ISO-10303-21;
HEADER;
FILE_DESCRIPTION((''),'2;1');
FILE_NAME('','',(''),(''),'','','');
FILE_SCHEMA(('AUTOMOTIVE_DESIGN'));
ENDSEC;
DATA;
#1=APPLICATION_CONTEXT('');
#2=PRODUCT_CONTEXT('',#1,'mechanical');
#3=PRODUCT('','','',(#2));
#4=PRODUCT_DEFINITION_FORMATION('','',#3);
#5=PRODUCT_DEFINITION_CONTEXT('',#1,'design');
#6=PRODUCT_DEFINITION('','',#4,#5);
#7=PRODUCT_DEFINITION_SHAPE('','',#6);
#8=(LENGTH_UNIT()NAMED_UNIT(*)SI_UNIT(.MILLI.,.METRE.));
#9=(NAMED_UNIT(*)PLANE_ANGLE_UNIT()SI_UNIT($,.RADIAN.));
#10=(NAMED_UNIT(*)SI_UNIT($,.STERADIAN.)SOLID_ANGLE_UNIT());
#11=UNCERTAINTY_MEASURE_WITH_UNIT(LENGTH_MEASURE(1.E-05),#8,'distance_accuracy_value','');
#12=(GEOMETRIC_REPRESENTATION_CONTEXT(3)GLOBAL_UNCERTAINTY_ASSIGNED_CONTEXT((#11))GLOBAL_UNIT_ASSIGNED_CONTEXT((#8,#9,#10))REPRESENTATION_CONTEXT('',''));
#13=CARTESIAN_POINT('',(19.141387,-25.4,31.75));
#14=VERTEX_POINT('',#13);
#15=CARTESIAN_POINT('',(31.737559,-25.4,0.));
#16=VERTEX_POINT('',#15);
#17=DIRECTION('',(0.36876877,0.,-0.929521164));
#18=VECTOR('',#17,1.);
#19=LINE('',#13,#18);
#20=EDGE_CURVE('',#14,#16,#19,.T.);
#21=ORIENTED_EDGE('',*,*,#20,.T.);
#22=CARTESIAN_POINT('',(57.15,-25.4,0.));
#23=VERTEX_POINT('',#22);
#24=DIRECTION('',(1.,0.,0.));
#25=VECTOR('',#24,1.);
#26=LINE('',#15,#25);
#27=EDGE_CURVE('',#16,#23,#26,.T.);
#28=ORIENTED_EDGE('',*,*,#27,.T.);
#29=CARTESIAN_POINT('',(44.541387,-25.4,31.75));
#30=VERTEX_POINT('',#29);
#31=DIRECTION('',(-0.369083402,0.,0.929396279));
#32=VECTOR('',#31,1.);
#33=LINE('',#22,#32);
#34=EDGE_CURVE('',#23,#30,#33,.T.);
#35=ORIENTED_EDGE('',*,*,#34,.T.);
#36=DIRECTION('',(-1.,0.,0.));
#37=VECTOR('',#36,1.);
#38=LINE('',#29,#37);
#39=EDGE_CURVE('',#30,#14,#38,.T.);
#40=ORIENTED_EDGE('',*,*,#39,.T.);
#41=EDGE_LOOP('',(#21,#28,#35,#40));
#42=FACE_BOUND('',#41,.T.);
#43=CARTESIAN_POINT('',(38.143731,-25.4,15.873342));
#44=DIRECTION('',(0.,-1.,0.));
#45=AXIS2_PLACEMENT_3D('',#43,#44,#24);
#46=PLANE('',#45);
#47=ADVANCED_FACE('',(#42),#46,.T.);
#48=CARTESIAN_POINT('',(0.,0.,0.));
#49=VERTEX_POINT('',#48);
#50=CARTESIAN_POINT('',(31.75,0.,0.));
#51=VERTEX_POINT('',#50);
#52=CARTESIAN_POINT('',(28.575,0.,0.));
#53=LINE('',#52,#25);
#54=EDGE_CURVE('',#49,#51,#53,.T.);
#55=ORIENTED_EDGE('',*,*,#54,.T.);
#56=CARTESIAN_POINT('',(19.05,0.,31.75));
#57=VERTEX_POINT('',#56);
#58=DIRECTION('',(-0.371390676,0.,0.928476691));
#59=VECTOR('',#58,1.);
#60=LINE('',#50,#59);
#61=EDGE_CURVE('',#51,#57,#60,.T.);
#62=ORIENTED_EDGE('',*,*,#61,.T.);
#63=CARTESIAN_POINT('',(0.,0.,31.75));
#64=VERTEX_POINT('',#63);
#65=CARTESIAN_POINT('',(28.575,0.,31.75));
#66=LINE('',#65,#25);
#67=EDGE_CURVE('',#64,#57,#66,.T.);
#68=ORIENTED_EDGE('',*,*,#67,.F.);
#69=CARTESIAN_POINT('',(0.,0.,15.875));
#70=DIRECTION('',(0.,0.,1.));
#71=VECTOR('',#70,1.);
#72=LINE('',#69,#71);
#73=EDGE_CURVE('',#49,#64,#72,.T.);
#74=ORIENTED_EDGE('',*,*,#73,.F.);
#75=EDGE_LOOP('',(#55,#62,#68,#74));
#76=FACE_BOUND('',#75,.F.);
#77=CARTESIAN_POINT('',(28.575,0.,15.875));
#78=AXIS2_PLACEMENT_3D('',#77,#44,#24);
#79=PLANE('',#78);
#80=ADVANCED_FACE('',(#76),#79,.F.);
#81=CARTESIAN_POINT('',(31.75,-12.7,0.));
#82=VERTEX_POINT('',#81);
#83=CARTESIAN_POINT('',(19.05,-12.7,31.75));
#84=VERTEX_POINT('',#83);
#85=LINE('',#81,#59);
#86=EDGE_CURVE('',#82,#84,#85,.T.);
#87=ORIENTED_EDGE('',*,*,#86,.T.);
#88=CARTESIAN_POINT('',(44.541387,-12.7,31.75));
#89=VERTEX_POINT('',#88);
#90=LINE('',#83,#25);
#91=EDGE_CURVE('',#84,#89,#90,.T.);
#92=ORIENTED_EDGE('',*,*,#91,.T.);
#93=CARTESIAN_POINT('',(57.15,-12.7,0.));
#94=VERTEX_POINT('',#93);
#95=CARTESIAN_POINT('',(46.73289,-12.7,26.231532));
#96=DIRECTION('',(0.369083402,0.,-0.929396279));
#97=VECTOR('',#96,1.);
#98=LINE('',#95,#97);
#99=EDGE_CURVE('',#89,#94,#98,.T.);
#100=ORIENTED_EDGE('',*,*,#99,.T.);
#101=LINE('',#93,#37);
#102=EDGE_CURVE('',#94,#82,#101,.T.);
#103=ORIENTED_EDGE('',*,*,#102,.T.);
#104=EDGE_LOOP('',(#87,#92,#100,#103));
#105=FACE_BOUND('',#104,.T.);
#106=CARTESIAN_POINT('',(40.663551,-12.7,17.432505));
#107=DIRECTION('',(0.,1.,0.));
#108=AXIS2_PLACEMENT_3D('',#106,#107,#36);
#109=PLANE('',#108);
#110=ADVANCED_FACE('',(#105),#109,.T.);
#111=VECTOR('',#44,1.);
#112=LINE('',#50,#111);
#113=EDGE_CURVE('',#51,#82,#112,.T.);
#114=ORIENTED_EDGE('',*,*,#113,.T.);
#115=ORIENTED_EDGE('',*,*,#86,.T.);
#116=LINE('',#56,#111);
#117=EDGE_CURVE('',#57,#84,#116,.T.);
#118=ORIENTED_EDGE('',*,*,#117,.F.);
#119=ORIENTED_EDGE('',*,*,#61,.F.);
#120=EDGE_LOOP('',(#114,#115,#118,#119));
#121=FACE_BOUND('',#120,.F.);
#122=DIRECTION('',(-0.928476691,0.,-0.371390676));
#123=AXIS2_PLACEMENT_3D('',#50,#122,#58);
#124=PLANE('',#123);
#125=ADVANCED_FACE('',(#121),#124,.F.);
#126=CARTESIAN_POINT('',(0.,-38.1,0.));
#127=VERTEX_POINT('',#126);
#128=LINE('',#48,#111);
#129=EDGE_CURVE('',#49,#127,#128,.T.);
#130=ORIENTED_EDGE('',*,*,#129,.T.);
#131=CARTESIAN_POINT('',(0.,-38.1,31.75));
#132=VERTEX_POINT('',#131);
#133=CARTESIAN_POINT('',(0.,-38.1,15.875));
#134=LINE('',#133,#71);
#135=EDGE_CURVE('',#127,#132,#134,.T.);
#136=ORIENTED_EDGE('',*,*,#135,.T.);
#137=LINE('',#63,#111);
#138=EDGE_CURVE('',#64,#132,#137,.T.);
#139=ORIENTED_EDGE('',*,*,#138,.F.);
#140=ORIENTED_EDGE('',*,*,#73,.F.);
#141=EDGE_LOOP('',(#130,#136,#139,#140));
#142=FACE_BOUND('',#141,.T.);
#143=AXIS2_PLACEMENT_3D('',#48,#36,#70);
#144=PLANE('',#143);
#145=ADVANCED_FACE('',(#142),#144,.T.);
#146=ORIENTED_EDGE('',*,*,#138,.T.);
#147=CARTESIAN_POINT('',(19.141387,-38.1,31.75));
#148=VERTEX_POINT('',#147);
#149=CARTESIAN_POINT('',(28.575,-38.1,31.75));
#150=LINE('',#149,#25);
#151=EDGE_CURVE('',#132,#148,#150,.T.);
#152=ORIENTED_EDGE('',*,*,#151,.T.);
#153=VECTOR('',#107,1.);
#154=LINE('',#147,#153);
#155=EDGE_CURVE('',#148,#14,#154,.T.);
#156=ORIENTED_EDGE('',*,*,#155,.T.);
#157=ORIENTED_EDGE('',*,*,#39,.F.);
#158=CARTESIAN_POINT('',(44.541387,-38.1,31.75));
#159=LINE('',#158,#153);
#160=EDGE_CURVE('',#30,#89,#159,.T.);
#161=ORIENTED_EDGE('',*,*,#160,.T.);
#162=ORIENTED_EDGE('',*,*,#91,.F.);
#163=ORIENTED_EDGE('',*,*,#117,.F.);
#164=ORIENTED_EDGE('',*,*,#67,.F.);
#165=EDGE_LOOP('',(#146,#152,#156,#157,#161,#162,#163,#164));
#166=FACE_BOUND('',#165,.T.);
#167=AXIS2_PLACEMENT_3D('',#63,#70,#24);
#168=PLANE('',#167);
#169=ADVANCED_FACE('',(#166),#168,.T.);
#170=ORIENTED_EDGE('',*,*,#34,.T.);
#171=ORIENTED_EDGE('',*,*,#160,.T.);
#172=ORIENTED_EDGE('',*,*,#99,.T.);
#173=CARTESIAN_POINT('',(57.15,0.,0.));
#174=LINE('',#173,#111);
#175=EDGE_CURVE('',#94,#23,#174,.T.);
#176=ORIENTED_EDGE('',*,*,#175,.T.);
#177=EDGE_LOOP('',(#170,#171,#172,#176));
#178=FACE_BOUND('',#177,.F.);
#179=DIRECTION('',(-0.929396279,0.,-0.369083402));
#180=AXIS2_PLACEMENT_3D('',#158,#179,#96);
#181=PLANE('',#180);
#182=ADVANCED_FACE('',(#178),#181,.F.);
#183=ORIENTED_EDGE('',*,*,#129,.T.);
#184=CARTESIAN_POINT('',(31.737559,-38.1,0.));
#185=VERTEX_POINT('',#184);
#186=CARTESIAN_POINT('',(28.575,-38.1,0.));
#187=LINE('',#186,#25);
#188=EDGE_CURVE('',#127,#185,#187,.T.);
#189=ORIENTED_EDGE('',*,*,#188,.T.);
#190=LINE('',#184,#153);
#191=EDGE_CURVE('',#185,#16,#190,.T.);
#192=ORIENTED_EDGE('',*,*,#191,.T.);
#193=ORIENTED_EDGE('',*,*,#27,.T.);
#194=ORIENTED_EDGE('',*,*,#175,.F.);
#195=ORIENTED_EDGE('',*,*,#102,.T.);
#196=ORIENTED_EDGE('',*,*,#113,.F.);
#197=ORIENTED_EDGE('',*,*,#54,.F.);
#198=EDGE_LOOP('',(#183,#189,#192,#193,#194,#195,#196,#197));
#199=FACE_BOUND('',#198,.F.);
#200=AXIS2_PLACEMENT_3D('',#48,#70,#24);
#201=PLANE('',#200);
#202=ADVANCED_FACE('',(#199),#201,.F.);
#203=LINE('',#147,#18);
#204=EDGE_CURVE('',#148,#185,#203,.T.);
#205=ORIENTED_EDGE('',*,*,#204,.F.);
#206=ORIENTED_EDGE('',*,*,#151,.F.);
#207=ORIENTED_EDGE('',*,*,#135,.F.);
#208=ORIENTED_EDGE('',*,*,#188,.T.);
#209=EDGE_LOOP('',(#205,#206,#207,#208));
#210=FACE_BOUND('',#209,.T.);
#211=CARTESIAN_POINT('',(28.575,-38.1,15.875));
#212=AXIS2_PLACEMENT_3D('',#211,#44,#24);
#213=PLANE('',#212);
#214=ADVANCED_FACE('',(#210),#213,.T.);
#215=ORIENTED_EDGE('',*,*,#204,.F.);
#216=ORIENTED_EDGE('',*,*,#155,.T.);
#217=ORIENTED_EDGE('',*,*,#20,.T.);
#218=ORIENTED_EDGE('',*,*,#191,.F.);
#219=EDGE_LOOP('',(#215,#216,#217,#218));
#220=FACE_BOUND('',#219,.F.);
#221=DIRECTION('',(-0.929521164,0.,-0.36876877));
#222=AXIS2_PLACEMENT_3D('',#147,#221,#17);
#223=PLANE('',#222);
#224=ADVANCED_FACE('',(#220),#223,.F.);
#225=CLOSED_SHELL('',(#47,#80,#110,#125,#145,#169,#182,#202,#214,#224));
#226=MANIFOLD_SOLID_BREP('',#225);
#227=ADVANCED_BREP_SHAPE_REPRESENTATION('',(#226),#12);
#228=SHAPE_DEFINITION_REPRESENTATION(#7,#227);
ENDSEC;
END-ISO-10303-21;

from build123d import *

# Parameters (mm, degrees)
F0_W     = 57.15
F0_H     = 31.75
F1_DEPTH = 38.1
F4_DEPTH = 177.8
F5_DEPTH = 12.7
F6_DEPTH = 12.7


with BuildPart() as f1:
    # F0 (on Front) → F1 (new body)
    with BuildSketch(Plane.XZ):
        with Locations((28.575, 15.875)):
            Rectangle(F0_W, F0_H)
    extrude(amount=F1_DEPTH)

    # F3 (on face) → F4 (cut)
    with BuildSketch(Plane.XZ.offset(38.1)):
        Polygon((57.15, 31.75), (44.541387, 31.75), (57.15, 0), align=None)
    extrude(amount=-F4_DEPTH, mode=Mode.SUBTRACT)

    # F3 (on face) → F5 (cut)
    with BuildSketch(Plane.XZ.offset(38.1)):
        Polygon((44.541387, 31.75), (19.141387, 31.75), (31.737559, 0), (57.137559, 0), (57.15, 0), align=None)
    extrude(amount=-F5_DEPTH, mode=Mode.SUBTRACT)

    # F2 (on face) → F6 (cut)
    with BuildSketch(Plane(origin=(0, 0, 0), x_dir=(-1, 0, 0), z_dir=(0, 1, 0))):
        Polygon((-31.75, 0), (-19.05, 31.75), (-57.15, 31.75), (-57.15, 0), align=None)
    extrude(amount=-F6_DEPTH, mode=Mode.SUBTRACT)


solid = f1.part
